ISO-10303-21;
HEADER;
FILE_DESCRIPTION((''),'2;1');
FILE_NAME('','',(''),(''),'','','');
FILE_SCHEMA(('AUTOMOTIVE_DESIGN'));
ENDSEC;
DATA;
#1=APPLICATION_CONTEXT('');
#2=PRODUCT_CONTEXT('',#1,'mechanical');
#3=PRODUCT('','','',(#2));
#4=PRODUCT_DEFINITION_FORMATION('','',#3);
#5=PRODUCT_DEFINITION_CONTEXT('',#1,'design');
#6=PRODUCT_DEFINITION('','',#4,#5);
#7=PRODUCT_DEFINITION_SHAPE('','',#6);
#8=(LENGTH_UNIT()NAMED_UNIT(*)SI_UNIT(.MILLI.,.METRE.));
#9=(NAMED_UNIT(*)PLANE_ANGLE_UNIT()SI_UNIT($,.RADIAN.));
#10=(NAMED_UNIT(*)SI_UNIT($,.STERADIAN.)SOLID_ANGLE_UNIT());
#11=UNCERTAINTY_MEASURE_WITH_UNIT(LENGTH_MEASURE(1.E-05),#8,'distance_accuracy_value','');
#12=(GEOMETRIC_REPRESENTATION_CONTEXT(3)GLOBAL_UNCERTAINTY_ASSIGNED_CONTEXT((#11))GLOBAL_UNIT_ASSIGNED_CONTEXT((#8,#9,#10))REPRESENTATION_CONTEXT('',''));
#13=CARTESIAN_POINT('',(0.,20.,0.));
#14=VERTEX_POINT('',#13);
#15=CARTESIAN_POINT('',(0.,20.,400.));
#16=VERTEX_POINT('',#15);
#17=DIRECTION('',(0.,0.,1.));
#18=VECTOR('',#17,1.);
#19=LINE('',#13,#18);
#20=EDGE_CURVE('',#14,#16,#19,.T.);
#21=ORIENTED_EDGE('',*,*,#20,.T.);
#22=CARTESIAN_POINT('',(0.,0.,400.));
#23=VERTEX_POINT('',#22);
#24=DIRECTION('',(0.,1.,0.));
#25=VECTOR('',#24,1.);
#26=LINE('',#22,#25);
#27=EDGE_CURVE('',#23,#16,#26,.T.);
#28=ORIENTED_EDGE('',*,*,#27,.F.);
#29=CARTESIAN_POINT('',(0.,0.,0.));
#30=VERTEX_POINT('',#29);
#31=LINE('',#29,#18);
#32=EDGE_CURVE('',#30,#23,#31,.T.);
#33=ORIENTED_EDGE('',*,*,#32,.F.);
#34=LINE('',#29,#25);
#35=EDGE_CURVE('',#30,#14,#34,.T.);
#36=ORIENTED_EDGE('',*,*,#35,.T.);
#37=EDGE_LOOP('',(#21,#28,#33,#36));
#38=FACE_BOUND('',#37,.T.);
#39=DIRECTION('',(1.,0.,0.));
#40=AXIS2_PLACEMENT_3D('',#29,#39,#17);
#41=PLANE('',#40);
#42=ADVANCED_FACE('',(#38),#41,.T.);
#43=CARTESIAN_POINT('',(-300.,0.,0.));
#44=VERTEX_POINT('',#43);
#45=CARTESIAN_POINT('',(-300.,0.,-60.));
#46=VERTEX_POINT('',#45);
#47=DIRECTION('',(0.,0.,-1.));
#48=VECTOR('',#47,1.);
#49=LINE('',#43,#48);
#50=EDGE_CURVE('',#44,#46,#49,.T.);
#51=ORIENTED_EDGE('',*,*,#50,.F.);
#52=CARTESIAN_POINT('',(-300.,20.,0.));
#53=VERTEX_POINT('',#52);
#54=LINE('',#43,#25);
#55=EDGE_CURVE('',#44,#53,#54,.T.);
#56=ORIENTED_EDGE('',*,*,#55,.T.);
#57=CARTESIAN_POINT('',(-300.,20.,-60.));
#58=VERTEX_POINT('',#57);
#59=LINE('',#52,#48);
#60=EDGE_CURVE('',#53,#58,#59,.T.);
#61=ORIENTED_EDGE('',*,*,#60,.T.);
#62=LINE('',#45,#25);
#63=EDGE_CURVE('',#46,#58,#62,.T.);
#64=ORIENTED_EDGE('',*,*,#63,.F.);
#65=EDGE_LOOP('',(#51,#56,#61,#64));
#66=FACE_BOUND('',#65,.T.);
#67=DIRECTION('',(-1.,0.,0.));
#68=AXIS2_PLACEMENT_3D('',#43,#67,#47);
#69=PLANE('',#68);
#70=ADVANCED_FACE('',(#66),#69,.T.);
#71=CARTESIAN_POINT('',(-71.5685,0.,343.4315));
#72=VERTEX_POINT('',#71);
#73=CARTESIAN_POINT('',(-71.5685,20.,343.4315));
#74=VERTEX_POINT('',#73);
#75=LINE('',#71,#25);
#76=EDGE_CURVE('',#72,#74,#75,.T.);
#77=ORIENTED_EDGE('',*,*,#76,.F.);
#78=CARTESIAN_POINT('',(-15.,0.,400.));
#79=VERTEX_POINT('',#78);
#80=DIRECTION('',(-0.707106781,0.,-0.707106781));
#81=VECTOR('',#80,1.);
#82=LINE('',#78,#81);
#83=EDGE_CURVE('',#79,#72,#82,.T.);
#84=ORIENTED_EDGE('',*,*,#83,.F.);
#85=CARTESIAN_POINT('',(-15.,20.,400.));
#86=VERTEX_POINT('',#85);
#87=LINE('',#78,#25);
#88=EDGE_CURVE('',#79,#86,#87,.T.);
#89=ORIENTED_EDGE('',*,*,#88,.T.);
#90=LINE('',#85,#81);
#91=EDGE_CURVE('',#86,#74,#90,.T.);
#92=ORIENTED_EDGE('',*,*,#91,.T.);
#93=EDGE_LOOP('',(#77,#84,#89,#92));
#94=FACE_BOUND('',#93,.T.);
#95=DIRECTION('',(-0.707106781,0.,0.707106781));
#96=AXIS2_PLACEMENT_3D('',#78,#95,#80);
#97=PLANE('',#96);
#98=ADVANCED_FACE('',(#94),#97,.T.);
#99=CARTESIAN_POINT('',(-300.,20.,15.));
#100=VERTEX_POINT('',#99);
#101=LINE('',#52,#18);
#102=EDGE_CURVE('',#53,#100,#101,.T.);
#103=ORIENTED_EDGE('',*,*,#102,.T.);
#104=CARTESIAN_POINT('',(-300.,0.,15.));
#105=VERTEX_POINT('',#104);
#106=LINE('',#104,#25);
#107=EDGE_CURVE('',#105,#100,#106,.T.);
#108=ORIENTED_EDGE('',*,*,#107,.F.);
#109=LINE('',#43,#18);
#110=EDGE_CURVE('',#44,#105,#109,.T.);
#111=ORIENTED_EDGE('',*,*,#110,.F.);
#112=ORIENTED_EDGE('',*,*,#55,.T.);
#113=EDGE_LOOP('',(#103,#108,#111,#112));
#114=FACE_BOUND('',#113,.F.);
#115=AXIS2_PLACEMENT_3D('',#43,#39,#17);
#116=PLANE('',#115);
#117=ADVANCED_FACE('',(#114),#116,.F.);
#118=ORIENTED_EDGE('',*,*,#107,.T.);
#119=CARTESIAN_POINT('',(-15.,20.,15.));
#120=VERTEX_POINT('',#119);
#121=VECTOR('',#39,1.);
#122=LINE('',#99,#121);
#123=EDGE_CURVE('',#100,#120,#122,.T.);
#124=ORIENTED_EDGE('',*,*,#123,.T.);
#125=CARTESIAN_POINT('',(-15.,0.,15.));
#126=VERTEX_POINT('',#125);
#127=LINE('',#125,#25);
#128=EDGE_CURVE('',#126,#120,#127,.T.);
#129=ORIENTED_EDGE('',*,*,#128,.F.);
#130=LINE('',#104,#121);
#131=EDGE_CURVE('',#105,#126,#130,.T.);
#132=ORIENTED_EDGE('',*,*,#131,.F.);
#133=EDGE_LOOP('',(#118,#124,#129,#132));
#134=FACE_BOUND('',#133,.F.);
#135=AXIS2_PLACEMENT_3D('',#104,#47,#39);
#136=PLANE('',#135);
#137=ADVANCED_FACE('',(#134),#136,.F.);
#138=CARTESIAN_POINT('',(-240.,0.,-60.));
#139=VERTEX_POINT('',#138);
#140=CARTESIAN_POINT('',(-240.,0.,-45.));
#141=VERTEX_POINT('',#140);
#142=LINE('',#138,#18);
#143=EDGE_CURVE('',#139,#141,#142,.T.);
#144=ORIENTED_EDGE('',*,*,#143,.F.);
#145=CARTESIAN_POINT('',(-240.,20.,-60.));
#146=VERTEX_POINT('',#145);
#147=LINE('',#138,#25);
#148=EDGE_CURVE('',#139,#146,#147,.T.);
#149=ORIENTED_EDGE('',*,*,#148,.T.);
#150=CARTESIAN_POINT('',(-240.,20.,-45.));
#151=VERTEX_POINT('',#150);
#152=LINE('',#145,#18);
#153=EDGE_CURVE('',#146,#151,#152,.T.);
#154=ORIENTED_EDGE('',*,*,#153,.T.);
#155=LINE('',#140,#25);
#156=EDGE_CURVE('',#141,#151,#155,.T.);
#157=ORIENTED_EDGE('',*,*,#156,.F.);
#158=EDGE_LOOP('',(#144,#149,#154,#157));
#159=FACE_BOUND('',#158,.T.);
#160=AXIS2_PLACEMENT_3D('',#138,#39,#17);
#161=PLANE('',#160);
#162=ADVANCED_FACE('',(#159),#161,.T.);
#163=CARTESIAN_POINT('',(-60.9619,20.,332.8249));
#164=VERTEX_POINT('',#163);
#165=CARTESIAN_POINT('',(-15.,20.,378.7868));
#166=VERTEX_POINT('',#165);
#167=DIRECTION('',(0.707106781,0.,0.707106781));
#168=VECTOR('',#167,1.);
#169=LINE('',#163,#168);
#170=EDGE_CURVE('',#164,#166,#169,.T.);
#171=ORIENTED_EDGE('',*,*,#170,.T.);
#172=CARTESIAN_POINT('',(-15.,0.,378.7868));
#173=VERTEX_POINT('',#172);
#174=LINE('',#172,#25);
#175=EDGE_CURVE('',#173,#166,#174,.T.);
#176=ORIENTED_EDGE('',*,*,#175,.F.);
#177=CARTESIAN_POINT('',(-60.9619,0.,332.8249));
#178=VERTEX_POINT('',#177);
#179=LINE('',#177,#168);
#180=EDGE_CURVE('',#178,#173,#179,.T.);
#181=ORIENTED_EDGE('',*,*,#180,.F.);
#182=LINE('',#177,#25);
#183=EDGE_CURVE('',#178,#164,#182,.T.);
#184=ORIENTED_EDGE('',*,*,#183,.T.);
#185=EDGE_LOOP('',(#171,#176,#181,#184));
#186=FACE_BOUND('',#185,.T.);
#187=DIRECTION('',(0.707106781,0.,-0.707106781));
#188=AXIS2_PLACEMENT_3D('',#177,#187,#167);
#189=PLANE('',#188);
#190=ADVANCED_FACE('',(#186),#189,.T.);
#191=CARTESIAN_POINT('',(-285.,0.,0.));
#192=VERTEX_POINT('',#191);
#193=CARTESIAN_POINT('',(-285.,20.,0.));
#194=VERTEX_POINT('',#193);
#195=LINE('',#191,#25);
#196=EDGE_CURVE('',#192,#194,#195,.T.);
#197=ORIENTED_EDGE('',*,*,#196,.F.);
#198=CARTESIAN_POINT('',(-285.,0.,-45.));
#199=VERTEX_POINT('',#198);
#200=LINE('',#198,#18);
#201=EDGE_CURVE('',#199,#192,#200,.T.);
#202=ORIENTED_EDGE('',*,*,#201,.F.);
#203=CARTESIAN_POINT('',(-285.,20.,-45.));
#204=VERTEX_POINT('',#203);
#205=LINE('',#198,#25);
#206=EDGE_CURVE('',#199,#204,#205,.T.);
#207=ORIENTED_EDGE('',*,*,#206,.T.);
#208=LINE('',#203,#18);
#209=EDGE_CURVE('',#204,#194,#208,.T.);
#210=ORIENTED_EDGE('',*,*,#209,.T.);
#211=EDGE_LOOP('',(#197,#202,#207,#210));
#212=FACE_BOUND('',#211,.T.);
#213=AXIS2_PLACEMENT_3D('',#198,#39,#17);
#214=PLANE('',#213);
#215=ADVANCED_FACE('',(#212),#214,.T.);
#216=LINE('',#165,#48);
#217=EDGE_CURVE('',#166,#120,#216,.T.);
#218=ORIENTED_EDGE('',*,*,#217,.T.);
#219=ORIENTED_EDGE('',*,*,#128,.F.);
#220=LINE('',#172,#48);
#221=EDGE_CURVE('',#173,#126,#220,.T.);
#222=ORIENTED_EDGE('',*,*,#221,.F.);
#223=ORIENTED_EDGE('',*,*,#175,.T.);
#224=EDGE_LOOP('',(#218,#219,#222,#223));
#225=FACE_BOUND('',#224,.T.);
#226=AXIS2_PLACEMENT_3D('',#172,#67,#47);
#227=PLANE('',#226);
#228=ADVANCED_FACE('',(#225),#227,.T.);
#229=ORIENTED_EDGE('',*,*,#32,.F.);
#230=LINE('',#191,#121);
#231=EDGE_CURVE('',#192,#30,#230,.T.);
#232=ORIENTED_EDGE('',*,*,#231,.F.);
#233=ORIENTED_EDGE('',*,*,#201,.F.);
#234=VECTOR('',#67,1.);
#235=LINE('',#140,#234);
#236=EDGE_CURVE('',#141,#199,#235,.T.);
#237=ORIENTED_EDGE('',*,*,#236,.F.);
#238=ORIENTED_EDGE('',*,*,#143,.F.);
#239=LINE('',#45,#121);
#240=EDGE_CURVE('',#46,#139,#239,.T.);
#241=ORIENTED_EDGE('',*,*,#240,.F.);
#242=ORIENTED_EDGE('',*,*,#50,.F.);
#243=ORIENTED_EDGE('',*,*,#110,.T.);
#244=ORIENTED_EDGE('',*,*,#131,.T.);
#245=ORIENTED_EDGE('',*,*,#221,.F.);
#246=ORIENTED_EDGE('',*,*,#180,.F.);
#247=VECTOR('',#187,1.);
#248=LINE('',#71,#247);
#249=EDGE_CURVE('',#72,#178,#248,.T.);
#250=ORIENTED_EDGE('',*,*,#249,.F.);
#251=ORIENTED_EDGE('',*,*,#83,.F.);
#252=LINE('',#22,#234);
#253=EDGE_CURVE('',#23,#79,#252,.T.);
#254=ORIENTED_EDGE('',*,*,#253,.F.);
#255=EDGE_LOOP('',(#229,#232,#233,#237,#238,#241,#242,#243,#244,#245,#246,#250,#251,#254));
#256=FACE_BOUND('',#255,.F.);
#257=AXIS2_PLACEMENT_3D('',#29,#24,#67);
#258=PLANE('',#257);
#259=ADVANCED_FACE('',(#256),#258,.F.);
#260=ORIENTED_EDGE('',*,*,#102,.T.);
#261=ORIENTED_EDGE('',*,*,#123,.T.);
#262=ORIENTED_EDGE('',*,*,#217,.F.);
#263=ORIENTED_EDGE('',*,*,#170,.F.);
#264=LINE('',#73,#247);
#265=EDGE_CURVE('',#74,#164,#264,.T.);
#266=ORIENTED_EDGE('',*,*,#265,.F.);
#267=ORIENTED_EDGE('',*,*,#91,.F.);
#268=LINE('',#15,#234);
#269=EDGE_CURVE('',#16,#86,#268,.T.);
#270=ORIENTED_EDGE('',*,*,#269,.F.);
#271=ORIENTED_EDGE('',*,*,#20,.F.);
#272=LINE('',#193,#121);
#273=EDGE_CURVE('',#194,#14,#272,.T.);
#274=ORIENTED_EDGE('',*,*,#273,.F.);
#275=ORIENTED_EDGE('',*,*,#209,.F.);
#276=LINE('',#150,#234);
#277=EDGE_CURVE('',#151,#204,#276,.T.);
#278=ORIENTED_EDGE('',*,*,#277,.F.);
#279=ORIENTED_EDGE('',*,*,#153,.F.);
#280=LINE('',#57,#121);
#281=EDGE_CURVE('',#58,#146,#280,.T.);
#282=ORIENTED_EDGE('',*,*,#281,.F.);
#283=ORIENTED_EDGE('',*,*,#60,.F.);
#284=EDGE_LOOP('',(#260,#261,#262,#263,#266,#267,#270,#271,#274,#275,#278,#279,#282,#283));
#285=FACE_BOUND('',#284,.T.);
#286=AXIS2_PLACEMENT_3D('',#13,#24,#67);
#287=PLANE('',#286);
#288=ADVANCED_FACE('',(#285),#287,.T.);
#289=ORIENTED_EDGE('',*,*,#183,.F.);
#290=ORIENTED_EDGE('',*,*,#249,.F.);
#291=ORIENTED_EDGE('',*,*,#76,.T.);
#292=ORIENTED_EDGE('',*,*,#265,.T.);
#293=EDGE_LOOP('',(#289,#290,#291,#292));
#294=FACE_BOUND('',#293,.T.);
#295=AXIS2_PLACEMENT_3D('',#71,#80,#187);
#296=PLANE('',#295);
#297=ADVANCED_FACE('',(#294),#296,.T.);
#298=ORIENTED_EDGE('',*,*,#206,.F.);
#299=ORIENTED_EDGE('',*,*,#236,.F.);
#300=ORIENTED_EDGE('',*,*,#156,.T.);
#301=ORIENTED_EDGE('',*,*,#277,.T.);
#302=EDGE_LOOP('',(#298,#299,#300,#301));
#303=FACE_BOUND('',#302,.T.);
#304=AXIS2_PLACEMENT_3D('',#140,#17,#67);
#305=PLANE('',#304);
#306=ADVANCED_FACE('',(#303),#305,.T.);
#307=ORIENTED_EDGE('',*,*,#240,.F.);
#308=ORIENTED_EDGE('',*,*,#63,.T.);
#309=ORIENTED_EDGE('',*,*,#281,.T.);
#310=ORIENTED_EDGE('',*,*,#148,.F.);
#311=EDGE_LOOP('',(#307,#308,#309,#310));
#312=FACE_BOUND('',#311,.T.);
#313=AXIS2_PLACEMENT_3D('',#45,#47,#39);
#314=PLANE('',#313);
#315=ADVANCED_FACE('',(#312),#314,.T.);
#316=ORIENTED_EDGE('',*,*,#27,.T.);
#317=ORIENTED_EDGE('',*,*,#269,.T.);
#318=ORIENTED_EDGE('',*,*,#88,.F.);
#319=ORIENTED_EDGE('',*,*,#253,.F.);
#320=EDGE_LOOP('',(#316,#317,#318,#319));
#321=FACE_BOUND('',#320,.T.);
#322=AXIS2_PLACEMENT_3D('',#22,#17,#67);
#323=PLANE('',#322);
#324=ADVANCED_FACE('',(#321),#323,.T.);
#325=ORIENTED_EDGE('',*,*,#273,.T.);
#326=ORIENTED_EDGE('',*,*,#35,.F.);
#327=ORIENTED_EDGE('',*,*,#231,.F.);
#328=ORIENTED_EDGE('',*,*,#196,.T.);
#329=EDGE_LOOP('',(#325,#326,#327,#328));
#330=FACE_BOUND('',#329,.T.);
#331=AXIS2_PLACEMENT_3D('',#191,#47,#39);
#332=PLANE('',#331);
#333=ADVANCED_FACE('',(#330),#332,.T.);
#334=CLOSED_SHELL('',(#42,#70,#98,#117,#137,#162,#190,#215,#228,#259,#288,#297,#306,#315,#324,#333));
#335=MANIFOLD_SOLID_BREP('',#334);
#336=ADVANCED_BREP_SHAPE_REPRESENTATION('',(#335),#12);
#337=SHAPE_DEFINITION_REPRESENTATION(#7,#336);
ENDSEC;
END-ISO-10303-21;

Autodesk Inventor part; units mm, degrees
ref_plane "YZ Plane" through (0, 0, 0) normal (1, 0, 0) x (0, 1, 0)
ref_plane "XZ Plane" through (0, 0, 0) normal (0, 1, 0) x (-1, 0, 0)
ref_plane "XY Plane" through (0, 0, 0) normal (0, 0, 1) x (1, 0, 0)
sketch "Schizzo1" plane through (0, 0, 0) normal (0, 1, 0) x (-1, 0, 0)
  line L0 (300, 0) -> (300, 15)
  line L1 (0, 0) -> (0, 400)
  line L2 (0, 400) -> (15, 400)
  line L3 (15, 400) -> (71.5685, 343.4315)
  line L4 (15, 400) -> (95, 400) construction
  line L5 (71.5685, 343.4315) -> (60.9619, 332.8249)
  line L6 (60.9619, 332.8249) -> (15, 378.7868)
  line L7 (15, 378.7868) -> (15, 15)
  line L8 (300, 15) -> (15, 15)
  line L9 (300, 0) -> (300, -60)
  line L10 (300, -60) -> (240, -60)
  line L11 (240, -60) -> (240, -45)
  line L12 (240, -45) -> (285, -45)
  line L13 (285, -45) -> (285, 0)
  line L14 (285, 0) -> (0, 0)
  dimension "d1" = 15
  dimension "d3" = 400
  dimension "d4" = 15
  dimension "d5" = 80
  dimension "d6" = 45
  dimension "d7" = 15
  dimension "d8" = 60
  dimension "d9" = 60
  dimension "d10" = 15
  dimension "d11" = 45
extrude "Estrusione1" add sketch "Schizzo1" along normal blind 20
equation "\"RaggioPiega\" = Spessore"
equation "\"LarghezzaScaricoPiega\" = Spessore"
equation "\"ProfonditàScaricoPiega\" = 0.5 * Spessore"
equation "\"DimensioniScaricoAngolo\" = 4 * Spessore"
equation "\"ResiduoMinimo\" = 2 * Spessore"
equation "\"RaggioTransizione\" = RaggioPiega"
equation "\"Dimensione_raggio_Jacobi\" = RaggioPiega"
equation "\"DimensioneGioco\" = Spessore"
equation "\"Spessore\" = 0.5"
properties part number "Staffa_CPY"
